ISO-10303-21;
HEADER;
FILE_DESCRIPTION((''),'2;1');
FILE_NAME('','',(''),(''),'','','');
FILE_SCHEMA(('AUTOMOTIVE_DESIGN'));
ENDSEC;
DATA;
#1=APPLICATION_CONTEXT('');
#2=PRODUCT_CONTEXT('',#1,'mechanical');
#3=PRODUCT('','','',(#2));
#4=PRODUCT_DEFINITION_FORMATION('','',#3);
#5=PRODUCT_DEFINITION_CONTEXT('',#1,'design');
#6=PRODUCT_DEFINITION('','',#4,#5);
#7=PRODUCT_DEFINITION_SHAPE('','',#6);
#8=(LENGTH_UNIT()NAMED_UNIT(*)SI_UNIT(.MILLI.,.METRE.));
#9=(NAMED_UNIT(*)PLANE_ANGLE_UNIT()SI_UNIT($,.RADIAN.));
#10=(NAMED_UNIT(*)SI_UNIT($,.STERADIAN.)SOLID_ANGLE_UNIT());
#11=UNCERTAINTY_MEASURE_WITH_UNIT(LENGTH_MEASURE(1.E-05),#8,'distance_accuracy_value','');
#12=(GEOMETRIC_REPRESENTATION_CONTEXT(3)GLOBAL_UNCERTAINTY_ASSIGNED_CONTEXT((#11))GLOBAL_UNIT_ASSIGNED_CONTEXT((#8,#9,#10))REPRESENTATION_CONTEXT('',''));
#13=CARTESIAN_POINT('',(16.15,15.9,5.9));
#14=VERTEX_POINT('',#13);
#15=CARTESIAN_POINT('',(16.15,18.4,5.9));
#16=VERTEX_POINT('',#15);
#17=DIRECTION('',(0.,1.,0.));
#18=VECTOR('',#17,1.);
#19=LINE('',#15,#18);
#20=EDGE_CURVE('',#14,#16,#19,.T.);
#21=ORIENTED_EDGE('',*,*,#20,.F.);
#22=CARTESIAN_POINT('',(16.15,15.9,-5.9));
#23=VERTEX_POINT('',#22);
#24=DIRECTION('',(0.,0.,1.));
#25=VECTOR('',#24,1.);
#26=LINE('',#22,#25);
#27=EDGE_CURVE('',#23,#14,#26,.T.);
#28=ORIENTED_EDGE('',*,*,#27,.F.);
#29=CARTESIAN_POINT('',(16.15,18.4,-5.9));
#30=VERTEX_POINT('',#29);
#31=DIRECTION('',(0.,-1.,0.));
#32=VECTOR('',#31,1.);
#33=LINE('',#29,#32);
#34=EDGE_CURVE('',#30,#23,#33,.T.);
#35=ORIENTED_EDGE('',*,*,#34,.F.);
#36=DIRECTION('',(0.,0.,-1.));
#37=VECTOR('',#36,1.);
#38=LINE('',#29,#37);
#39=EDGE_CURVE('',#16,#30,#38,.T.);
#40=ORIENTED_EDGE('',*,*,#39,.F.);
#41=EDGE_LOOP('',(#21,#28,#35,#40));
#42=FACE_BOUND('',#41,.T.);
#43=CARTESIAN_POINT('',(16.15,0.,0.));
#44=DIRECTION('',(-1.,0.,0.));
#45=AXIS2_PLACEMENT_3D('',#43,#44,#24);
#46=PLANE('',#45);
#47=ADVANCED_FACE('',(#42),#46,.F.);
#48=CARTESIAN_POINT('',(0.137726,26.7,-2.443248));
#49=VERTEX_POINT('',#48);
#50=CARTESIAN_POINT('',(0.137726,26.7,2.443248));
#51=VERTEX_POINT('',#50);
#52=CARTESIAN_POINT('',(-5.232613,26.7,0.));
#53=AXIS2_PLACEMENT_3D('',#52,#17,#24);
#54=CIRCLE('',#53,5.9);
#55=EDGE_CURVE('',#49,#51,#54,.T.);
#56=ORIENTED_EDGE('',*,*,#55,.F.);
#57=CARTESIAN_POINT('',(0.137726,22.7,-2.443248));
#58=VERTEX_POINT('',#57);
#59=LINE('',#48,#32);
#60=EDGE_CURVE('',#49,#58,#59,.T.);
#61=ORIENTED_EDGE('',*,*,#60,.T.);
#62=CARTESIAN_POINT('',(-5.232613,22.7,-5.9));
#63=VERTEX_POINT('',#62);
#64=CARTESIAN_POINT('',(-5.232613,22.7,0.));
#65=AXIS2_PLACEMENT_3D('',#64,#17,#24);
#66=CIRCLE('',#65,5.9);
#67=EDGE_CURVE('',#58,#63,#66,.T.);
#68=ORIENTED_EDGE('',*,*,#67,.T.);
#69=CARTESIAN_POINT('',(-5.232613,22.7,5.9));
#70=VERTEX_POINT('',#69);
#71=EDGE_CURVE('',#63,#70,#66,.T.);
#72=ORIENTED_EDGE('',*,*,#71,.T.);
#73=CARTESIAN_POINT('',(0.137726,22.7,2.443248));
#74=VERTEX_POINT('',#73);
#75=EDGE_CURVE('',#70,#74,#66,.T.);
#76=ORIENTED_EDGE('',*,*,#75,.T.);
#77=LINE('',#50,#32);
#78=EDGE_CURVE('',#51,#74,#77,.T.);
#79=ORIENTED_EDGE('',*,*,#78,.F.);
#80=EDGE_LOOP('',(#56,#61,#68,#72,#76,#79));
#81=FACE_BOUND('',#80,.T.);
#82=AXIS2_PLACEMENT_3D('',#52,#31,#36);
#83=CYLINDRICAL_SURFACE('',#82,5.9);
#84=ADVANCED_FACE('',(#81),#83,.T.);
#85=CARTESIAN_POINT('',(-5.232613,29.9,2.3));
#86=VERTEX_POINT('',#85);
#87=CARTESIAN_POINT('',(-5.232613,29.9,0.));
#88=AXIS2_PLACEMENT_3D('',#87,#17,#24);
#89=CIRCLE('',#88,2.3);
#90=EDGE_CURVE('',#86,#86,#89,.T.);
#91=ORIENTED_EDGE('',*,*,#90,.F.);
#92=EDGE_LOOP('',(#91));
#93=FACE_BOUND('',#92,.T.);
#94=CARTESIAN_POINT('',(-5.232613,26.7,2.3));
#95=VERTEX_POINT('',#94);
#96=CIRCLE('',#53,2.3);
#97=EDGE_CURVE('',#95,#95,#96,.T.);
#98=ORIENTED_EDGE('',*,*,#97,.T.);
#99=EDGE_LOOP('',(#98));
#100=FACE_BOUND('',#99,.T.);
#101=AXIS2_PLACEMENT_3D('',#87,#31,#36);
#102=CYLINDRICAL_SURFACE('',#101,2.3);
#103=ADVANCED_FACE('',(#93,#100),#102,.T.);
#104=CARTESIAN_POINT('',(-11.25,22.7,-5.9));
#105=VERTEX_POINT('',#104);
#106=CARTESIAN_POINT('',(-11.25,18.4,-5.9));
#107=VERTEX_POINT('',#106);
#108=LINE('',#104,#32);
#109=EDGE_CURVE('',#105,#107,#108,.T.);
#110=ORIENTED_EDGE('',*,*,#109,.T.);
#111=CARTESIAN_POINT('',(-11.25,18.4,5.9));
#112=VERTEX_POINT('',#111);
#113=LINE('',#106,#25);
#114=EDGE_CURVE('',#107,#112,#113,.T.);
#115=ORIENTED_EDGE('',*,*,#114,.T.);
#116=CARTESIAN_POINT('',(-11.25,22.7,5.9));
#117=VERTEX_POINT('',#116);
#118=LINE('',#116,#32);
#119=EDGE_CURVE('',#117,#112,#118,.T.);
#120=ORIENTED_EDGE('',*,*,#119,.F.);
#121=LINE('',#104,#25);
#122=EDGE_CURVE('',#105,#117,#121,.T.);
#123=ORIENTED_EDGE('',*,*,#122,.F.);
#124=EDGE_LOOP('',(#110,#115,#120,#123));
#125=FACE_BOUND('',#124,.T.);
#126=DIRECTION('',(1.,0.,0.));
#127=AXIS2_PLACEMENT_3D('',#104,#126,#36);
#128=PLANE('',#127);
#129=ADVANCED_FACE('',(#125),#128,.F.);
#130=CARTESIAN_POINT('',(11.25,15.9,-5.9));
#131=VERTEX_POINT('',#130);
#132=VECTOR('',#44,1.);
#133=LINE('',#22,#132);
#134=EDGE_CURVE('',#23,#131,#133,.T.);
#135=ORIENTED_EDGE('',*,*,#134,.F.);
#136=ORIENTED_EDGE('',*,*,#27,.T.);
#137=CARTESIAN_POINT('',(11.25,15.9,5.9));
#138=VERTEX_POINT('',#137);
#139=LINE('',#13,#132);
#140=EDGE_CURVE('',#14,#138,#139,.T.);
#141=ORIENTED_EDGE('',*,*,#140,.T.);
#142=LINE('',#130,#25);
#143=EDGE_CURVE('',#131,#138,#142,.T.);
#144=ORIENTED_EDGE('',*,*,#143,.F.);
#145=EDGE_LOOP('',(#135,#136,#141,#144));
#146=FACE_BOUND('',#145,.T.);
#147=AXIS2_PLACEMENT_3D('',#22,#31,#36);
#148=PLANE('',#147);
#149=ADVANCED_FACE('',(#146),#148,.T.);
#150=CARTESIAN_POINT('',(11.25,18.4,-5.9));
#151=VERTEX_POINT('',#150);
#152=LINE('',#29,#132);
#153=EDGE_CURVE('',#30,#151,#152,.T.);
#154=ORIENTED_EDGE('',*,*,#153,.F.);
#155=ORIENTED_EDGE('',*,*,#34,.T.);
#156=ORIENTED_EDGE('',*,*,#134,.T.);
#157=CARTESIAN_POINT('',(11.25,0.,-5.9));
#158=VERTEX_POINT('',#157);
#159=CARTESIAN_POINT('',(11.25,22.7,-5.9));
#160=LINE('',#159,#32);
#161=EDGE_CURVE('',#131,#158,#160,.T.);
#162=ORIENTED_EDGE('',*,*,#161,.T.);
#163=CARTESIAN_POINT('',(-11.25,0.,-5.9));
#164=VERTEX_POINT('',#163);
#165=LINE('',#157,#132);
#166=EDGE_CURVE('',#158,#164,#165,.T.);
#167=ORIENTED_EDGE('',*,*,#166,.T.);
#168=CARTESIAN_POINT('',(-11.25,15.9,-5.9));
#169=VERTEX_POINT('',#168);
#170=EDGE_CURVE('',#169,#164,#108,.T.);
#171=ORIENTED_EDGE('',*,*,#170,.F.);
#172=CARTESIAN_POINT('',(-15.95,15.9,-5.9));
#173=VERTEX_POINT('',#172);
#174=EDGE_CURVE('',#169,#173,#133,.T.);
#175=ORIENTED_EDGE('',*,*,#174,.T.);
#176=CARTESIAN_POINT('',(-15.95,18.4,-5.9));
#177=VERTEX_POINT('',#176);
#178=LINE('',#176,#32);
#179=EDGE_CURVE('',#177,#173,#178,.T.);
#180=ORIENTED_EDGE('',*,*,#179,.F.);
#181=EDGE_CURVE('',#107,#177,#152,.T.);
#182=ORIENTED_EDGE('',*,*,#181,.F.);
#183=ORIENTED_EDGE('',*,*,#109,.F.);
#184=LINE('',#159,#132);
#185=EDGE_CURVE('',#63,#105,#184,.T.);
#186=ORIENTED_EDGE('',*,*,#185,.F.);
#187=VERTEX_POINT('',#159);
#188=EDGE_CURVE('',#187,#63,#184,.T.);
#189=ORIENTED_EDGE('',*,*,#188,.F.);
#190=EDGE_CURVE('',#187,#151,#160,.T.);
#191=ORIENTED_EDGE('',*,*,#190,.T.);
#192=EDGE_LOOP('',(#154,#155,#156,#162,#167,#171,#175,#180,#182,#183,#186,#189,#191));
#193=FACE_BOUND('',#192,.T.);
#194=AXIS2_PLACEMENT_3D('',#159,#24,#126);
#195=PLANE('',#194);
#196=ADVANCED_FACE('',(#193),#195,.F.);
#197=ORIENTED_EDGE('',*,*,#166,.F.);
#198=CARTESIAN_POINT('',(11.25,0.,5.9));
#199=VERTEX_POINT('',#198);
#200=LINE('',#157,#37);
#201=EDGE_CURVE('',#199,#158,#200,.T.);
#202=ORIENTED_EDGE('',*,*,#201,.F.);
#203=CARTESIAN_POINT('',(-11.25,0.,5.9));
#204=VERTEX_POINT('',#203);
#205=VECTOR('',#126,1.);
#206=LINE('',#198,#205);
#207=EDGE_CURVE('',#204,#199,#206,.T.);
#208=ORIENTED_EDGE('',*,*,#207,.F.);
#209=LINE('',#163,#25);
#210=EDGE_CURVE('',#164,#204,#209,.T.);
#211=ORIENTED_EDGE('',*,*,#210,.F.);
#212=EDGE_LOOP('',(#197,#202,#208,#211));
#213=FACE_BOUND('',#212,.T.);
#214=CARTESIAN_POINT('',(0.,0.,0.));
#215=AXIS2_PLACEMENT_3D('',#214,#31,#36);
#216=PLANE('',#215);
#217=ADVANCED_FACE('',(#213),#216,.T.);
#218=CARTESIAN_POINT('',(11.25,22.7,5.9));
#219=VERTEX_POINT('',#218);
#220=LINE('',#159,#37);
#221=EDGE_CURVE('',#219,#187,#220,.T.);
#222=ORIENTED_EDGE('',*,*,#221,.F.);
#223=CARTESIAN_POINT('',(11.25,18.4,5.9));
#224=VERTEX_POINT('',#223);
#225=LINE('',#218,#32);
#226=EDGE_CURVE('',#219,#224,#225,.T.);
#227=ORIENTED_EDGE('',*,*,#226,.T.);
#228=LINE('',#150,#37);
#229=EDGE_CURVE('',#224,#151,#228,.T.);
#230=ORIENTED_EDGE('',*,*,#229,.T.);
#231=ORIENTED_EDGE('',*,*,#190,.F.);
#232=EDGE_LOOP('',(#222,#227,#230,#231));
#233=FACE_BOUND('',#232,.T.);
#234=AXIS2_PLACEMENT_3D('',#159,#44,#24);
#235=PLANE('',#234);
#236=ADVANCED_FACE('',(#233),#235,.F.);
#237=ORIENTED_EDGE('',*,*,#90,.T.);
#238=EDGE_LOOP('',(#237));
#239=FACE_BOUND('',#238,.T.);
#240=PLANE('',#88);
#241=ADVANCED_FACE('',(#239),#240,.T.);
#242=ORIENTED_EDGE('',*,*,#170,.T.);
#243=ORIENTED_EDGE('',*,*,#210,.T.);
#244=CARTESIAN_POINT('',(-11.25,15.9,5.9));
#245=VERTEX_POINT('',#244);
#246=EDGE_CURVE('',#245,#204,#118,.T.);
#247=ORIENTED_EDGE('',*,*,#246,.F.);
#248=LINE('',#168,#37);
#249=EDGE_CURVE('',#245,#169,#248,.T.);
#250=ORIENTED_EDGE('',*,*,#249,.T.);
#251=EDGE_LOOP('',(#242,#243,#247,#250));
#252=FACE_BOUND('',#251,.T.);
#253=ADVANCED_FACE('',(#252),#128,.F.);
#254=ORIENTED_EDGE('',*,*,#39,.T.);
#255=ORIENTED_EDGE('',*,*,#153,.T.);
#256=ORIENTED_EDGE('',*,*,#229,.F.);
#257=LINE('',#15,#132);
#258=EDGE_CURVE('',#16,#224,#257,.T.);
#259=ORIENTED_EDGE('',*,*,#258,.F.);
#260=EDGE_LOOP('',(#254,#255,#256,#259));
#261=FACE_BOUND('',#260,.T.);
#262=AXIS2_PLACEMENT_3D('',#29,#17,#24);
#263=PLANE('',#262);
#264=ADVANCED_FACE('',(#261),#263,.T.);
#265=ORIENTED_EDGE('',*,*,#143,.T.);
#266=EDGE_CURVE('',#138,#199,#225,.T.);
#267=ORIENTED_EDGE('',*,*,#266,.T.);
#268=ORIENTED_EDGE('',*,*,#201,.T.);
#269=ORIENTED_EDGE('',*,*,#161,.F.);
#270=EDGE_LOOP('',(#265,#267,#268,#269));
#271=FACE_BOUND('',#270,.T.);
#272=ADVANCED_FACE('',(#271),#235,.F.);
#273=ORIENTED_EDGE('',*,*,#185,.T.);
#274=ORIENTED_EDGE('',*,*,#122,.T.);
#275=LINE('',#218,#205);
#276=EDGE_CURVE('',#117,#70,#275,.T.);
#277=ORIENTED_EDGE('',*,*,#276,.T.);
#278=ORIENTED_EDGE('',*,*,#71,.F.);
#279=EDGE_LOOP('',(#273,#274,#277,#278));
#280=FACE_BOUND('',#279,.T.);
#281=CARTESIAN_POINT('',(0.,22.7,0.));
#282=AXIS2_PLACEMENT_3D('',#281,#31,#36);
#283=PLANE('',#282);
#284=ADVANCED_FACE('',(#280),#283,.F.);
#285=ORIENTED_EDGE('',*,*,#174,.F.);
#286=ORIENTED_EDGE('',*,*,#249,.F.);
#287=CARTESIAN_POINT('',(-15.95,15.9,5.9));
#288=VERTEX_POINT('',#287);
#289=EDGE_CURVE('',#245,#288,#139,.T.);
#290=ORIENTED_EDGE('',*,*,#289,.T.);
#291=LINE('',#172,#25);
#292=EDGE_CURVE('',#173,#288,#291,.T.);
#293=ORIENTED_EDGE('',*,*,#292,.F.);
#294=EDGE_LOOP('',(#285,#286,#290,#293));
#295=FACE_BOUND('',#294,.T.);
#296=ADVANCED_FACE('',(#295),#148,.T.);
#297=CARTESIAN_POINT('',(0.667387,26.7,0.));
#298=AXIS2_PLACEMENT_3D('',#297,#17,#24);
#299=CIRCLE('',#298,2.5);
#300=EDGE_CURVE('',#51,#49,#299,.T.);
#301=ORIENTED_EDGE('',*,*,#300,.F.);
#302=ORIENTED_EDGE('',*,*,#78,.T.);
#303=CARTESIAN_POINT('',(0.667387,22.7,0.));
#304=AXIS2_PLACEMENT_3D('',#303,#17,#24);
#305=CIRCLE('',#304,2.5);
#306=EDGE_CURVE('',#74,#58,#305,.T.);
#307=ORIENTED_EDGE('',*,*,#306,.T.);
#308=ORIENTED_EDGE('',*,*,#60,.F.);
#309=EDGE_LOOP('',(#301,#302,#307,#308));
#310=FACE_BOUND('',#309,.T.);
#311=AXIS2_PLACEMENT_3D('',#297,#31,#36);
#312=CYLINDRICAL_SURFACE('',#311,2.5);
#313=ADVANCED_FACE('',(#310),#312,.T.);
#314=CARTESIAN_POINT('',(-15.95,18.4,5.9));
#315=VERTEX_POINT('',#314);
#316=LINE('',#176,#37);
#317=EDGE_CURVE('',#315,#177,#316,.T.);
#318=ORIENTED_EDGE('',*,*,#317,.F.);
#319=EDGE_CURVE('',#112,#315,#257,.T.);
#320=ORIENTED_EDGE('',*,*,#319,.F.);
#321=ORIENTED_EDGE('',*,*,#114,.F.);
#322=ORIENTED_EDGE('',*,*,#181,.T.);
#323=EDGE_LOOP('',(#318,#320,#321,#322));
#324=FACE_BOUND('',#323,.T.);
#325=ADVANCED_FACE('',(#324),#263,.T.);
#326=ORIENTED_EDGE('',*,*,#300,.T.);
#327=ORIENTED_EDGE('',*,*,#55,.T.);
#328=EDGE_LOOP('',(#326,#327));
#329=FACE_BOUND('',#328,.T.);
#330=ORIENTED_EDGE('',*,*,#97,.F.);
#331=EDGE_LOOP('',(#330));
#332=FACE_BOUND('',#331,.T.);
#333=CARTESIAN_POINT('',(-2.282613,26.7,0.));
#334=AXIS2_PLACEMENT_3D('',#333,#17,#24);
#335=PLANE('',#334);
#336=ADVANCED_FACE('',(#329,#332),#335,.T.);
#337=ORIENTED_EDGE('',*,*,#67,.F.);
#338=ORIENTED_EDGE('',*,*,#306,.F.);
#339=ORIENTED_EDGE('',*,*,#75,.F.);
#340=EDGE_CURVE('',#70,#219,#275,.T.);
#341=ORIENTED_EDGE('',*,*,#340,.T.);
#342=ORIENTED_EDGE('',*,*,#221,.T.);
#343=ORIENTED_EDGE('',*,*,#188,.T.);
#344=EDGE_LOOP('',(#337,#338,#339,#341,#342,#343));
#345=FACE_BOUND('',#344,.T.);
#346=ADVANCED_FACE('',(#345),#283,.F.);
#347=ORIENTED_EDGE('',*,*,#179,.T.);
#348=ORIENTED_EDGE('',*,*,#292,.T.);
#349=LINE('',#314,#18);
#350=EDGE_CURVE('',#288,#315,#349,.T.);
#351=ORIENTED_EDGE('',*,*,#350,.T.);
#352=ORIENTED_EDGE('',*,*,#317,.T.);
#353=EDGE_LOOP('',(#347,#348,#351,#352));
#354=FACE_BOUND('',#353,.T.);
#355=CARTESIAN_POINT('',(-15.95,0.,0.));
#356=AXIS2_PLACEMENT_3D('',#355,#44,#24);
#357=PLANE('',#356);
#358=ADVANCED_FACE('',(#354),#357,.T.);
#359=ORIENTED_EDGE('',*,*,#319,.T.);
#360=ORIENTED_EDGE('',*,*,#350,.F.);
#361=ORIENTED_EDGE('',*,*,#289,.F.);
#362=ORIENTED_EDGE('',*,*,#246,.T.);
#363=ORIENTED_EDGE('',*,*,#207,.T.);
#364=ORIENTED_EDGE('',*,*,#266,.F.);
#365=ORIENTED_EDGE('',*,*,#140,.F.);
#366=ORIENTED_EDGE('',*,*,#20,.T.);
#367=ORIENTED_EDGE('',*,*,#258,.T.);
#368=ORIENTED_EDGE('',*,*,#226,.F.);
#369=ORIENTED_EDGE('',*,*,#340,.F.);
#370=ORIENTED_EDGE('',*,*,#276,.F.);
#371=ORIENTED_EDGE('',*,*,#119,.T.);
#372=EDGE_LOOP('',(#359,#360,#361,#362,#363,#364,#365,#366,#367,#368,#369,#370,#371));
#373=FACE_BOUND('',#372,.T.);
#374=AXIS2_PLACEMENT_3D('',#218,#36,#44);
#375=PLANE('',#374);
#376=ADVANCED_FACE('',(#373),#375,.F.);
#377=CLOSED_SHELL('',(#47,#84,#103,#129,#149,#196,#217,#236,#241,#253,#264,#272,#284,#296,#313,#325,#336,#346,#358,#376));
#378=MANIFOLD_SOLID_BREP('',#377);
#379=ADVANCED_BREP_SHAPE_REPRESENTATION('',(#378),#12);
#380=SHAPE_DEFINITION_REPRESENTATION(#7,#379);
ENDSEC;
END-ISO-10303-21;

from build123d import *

# Parameters (mm, degrees)
SKETCH1_W                = 22.5
SKETCH1_H                = 11.8
BOSS_EXTRUDE1_DEPTH      = 22.7
BOSS_EXTRUDE2_DEPTH      = 4.7
BOSS_EXTRUDE2_DEPTH_BACK = 27.4
SKETCH2_W                = 11.8
SKETCH2_H                = 2.5
BOSS_EXTRUDE3_DEPTH      = 4
SKETCH4_R                = 2.3
BOSS_EXTRUDE4_DEPTH      = 3.2


with BuildPart() as part:
    # Sketch1 → Boss-Extrude1 (new body)
    with BuildSketch(Plane(origin=(0, 0, 0), x_dir=(1, 0, 0), z_dir=(0, 1, 0))):
        Rectangle(SKETCH1_W, SKETCH1_H)
    extrude(amount=BOSS_EXTRUDE1_DEPTH)

    # Sketch2 → Boss-Extrude2 (add, two sides: drawn at the far end of the back side and taken through both)
    with BuildSketch(Plane.ZY.offset(11.25).offset(-BOSS_EXTRUDE2_DEPTH_BACK)):
        with Locations((0, 17.15)):
            Rectangle(SKETCH2_W, SKETCH2_H)
    extrude(amount=BOSS_EXTRUDE2_DEPTH + BOSS_EXTRUDE2_DEPTH_BACK)

    # Sketch3 → Boss-Extrude3 (add)
    with BuildSketch(Plane(origin=(0, 22.7, 0), x_dir=(1, 0, 0), z_dir=(0, 1, 0))):
        with BuildLine():
            ThreePointArc((0.137725696, 2.443247676), (-11.132613287, 0), (0.137725696, -2.443247676))
            ThreePointArc((0.137725696, -2.443247676), (3.167386713, 0), (0.137725696, 2.443247676))
        make_face()
    extrude(amount=BOSS_EXTRUDE3_DEPTH)

    # Sketch4 → Boss-Extrude4 (add)
    with BuildSketch(Plane(origin=(0, 26.7, 0), x_dir=(1, 0, 0), z_dir=(0, 1, 0))):
        with Locations(Location((-5.232613287, 0, 0), (0, 0, 270))):
            Circle(SKETCH4_R)
    extrude(amount=BOSS_EXTRUDE4_DEPTH)


solid = part.part
